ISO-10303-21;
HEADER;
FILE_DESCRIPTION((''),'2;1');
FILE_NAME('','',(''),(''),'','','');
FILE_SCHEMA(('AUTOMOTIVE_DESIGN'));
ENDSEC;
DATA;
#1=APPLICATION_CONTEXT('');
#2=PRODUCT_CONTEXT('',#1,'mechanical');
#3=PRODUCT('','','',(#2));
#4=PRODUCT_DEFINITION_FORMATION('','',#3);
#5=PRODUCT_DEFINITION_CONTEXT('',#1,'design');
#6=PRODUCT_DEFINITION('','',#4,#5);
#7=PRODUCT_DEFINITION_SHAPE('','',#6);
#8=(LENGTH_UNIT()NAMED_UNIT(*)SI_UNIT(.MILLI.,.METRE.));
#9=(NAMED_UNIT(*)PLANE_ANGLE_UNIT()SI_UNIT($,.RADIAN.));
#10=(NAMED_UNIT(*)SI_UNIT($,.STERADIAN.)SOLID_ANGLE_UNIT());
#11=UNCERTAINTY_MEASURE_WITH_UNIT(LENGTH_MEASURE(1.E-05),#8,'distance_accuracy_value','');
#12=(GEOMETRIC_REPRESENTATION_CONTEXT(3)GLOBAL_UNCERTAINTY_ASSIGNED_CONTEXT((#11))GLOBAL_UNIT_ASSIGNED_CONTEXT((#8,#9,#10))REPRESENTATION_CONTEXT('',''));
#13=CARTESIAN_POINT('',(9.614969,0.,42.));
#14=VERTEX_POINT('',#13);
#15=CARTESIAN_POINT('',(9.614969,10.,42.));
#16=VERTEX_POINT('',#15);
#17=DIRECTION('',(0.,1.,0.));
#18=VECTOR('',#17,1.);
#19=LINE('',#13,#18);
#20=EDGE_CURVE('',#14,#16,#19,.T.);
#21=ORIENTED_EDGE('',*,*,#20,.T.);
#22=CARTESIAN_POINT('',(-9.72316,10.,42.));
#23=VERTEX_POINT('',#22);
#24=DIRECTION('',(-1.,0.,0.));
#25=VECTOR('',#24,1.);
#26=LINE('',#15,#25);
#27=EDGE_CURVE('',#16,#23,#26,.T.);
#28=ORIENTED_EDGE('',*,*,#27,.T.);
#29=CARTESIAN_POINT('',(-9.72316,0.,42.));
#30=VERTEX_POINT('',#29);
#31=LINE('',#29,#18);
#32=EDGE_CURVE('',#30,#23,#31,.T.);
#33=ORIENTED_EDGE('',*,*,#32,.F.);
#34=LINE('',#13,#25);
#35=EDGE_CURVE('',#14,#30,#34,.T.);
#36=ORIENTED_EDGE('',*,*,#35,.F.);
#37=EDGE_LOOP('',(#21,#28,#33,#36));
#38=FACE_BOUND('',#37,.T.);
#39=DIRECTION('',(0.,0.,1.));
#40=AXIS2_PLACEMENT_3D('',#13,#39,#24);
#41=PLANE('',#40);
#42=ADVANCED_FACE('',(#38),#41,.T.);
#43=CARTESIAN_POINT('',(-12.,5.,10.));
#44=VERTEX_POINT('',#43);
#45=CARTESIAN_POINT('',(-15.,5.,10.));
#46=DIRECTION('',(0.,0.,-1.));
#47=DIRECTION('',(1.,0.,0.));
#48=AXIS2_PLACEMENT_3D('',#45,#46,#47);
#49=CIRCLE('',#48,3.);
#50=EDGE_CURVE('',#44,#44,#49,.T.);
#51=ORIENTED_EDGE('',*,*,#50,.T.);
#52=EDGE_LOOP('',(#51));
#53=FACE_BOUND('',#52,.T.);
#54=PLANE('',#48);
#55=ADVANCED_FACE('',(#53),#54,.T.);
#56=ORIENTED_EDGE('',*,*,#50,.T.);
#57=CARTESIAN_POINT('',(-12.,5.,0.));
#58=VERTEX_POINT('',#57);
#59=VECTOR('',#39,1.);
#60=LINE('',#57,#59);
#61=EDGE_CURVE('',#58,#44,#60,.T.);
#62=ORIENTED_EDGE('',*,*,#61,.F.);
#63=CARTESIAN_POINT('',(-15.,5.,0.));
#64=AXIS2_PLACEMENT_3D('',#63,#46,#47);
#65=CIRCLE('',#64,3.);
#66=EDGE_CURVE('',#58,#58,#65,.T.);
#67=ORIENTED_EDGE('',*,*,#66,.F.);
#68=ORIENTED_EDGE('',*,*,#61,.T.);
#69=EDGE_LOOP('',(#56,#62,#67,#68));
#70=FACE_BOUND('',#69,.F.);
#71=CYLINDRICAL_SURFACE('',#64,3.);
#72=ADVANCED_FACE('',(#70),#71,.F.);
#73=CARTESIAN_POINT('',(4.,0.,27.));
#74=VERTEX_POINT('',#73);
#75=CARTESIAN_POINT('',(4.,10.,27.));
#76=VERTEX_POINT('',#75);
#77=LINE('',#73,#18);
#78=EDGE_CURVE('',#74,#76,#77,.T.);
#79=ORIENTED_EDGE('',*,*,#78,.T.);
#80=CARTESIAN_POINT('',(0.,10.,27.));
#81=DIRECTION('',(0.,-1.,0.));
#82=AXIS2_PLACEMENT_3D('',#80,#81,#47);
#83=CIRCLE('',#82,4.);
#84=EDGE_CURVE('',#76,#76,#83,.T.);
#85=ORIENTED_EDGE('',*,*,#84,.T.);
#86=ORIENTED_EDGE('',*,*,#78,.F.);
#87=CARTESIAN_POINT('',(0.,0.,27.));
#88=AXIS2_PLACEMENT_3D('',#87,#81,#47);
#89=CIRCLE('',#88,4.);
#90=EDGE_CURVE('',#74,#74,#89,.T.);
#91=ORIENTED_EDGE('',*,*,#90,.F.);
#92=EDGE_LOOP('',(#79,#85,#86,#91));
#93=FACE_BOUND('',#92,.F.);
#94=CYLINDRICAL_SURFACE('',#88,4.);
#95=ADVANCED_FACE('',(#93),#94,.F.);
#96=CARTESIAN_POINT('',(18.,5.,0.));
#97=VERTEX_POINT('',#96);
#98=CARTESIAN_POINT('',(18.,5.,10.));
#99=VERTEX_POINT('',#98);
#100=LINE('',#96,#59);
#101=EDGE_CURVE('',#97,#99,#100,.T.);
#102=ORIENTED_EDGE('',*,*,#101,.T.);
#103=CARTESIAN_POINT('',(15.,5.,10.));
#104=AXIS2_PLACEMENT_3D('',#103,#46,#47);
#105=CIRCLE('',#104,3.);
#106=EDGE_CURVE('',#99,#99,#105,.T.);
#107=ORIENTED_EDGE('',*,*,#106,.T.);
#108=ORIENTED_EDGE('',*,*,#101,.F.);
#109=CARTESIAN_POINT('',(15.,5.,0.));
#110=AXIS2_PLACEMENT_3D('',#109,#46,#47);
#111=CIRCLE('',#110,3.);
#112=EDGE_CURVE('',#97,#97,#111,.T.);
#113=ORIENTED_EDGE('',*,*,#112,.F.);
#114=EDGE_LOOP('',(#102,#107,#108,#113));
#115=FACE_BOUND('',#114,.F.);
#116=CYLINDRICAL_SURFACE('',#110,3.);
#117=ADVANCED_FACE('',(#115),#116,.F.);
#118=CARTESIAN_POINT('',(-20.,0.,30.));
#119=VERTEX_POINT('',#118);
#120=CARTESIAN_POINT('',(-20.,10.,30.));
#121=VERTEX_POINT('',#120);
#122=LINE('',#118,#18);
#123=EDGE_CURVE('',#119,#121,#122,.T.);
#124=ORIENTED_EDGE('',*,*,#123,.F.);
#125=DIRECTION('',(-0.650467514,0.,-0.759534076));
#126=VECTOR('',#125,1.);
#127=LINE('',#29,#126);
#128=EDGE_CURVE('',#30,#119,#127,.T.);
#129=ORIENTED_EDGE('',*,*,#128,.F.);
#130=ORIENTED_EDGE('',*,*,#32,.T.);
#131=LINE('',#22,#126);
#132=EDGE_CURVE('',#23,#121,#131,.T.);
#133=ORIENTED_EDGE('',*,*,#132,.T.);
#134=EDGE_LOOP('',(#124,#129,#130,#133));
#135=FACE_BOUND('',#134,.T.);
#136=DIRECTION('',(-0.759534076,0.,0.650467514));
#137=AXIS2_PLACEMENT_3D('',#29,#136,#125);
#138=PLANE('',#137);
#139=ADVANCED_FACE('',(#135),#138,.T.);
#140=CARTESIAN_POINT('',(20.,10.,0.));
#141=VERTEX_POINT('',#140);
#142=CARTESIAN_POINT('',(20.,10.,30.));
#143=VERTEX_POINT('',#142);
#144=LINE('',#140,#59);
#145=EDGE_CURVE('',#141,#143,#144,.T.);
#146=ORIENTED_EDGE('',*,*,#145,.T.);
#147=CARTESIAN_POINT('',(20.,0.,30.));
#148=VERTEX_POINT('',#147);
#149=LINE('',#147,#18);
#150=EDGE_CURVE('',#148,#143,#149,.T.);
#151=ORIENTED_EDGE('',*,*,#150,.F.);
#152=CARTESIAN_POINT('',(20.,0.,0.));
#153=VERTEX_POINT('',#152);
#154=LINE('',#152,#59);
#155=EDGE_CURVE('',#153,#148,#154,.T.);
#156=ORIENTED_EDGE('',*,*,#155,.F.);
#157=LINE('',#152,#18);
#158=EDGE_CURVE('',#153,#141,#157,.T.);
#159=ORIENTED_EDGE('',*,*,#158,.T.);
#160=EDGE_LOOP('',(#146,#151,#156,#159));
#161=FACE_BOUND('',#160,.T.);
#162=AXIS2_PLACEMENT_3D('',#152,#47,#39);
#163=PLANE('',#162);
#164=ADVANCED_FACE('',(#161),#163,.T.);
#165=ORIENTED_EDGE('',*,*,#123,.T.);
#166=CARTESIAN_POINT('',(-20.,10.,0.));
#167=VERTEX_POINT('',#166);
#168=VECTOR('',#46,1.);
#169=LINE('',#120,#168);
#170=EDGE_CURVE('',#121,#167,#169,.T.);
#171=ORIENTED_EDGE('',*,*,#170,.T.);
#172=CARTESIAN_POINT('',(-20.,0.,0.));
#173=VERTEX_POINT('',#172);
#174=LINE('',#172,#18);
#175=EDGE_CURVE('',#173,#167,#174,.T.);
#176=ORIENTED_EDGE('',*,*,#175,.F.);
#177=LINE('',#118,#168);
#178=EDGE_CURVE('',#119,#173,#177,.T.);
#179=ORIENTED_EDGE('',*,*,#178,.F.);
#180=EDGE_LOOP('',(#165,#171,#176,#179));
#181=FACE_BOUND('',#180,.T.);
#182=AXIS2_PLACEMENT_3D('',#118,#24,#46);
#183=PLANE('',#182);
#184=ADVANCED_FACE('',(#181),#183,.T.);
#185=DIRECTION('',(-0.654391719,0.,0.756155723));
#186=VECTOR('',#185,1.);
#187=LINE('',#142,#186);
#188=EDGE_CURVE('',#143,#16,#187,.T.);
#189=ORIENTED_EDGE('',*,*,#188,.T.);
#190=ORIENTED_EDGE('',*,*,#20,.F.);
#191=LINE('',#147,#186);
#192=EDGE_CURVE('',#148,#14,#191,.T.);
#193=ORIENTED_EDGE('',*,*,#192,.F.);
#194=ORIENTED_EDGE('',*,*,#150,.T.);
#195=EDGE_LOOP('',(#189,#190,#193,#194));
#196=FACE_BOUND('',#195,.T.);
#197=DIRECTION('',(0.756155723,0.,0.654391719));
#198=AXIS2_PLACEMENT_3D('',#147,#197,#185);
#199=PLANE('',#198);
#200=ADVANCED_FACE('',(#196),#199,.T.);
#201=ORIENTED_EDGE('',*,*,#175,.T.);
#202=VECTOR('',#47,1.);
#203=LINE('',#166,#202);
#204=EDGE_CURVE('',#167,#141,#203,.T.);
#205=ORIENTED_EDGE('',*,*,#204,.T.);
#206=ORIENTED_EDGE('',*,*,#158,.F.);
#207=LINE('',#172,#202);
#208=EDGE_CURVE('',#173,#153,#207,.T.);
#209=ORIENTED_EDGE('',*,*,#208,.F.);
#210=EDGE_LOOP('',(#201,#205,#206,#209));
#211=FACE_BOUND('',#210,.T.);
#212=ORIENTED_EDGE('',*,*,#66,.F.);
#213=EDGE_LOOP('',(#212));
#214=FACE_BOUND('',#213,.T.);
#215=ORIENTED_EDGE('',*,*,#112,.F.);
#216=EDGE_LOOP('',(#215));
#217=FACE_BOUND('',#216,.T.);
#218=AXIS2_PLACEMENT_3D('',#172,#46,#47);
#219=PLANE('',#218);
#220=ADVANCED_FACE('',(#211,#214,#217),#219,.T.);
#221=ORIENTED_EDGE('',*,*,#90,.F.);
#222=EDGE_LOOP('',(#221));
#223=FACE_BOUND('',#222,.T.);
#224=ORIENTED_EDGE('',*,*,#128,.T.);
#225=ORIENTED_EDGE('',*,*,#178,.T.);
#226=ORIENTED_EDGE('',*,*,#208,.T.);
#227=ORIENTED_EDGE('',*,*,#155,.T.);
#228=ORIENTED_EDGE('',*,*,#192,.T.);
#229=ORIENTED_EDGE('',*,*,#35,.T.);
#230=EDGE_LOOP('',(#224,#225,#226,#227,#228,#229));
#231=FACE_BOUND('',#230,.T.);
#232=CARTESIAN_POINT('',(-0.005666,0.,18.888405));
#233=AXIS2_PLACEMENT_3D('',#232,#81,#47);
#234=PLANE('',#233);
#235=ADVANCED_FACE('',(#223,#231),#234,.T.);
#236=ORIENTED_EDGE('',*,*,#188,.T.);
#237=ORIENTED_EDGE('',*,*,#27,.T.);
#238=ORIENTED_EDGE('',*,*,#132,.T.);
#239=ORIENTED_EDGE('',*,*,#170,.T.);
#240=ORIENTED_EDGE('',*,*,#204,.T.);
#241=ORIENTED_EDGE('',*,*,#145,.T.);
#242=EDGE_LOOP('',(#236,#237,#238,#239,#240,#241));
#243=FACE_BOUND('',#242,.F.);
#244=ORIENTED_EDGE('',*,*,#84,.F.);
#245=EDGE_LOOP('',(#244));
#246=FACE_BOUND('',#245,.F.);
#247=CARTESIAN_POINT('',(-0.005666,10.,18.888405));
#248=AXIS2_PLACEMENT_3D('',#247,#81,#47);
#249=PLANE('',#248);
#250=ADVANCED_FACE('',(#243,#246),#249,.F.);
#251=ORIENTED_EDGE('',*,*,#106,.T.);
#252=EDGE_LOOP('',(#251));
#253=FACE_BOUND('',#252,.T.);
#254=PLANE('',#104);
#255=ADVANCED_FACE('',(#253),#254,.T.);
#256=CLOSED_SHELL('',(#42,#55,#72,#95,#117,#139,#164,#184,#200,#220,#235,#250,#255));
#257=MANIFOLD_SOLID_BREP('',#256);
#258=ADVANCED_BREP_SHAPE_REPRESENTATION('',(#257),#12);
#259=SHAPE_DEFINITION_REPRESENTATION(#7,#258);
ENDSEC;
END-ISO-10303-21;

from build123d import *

# Parameters (mm, degrees)
F0_R     = 4
F1_DEPTH = 10
F2_R     = 3
F3_DEPTH = 10


with BuildPart() as f1:
    # F0 (on Front) → F1 (new body)
    with BuildSketch(Plane.XZ):
        Polygon((-20, 30), (-20, 0), (20, 0), (20, 30), (9.614969, 42), (-9.72316, 42), align=None)
        with Locations((0, 27)):
            Circle(F0_R, mode=Mode.SUBTRACT)
    extrude(amount=-F1_DEPTH)

    # F2 (on face) → F3 (cut)
    with BuildSketch(Plane(origin=(0, 0, 0), x_dir=(1, 0, 0), z_dir=(0, 0, -1))):
        with Locations((-15, -5)):
            Circle(F2_R)
        with Locations((15, -5)):
            Circle(F2_R)
    extrude(amount=-F3_DEPTH, mode=Mode.SUBTRACT)


solid = f1.part
